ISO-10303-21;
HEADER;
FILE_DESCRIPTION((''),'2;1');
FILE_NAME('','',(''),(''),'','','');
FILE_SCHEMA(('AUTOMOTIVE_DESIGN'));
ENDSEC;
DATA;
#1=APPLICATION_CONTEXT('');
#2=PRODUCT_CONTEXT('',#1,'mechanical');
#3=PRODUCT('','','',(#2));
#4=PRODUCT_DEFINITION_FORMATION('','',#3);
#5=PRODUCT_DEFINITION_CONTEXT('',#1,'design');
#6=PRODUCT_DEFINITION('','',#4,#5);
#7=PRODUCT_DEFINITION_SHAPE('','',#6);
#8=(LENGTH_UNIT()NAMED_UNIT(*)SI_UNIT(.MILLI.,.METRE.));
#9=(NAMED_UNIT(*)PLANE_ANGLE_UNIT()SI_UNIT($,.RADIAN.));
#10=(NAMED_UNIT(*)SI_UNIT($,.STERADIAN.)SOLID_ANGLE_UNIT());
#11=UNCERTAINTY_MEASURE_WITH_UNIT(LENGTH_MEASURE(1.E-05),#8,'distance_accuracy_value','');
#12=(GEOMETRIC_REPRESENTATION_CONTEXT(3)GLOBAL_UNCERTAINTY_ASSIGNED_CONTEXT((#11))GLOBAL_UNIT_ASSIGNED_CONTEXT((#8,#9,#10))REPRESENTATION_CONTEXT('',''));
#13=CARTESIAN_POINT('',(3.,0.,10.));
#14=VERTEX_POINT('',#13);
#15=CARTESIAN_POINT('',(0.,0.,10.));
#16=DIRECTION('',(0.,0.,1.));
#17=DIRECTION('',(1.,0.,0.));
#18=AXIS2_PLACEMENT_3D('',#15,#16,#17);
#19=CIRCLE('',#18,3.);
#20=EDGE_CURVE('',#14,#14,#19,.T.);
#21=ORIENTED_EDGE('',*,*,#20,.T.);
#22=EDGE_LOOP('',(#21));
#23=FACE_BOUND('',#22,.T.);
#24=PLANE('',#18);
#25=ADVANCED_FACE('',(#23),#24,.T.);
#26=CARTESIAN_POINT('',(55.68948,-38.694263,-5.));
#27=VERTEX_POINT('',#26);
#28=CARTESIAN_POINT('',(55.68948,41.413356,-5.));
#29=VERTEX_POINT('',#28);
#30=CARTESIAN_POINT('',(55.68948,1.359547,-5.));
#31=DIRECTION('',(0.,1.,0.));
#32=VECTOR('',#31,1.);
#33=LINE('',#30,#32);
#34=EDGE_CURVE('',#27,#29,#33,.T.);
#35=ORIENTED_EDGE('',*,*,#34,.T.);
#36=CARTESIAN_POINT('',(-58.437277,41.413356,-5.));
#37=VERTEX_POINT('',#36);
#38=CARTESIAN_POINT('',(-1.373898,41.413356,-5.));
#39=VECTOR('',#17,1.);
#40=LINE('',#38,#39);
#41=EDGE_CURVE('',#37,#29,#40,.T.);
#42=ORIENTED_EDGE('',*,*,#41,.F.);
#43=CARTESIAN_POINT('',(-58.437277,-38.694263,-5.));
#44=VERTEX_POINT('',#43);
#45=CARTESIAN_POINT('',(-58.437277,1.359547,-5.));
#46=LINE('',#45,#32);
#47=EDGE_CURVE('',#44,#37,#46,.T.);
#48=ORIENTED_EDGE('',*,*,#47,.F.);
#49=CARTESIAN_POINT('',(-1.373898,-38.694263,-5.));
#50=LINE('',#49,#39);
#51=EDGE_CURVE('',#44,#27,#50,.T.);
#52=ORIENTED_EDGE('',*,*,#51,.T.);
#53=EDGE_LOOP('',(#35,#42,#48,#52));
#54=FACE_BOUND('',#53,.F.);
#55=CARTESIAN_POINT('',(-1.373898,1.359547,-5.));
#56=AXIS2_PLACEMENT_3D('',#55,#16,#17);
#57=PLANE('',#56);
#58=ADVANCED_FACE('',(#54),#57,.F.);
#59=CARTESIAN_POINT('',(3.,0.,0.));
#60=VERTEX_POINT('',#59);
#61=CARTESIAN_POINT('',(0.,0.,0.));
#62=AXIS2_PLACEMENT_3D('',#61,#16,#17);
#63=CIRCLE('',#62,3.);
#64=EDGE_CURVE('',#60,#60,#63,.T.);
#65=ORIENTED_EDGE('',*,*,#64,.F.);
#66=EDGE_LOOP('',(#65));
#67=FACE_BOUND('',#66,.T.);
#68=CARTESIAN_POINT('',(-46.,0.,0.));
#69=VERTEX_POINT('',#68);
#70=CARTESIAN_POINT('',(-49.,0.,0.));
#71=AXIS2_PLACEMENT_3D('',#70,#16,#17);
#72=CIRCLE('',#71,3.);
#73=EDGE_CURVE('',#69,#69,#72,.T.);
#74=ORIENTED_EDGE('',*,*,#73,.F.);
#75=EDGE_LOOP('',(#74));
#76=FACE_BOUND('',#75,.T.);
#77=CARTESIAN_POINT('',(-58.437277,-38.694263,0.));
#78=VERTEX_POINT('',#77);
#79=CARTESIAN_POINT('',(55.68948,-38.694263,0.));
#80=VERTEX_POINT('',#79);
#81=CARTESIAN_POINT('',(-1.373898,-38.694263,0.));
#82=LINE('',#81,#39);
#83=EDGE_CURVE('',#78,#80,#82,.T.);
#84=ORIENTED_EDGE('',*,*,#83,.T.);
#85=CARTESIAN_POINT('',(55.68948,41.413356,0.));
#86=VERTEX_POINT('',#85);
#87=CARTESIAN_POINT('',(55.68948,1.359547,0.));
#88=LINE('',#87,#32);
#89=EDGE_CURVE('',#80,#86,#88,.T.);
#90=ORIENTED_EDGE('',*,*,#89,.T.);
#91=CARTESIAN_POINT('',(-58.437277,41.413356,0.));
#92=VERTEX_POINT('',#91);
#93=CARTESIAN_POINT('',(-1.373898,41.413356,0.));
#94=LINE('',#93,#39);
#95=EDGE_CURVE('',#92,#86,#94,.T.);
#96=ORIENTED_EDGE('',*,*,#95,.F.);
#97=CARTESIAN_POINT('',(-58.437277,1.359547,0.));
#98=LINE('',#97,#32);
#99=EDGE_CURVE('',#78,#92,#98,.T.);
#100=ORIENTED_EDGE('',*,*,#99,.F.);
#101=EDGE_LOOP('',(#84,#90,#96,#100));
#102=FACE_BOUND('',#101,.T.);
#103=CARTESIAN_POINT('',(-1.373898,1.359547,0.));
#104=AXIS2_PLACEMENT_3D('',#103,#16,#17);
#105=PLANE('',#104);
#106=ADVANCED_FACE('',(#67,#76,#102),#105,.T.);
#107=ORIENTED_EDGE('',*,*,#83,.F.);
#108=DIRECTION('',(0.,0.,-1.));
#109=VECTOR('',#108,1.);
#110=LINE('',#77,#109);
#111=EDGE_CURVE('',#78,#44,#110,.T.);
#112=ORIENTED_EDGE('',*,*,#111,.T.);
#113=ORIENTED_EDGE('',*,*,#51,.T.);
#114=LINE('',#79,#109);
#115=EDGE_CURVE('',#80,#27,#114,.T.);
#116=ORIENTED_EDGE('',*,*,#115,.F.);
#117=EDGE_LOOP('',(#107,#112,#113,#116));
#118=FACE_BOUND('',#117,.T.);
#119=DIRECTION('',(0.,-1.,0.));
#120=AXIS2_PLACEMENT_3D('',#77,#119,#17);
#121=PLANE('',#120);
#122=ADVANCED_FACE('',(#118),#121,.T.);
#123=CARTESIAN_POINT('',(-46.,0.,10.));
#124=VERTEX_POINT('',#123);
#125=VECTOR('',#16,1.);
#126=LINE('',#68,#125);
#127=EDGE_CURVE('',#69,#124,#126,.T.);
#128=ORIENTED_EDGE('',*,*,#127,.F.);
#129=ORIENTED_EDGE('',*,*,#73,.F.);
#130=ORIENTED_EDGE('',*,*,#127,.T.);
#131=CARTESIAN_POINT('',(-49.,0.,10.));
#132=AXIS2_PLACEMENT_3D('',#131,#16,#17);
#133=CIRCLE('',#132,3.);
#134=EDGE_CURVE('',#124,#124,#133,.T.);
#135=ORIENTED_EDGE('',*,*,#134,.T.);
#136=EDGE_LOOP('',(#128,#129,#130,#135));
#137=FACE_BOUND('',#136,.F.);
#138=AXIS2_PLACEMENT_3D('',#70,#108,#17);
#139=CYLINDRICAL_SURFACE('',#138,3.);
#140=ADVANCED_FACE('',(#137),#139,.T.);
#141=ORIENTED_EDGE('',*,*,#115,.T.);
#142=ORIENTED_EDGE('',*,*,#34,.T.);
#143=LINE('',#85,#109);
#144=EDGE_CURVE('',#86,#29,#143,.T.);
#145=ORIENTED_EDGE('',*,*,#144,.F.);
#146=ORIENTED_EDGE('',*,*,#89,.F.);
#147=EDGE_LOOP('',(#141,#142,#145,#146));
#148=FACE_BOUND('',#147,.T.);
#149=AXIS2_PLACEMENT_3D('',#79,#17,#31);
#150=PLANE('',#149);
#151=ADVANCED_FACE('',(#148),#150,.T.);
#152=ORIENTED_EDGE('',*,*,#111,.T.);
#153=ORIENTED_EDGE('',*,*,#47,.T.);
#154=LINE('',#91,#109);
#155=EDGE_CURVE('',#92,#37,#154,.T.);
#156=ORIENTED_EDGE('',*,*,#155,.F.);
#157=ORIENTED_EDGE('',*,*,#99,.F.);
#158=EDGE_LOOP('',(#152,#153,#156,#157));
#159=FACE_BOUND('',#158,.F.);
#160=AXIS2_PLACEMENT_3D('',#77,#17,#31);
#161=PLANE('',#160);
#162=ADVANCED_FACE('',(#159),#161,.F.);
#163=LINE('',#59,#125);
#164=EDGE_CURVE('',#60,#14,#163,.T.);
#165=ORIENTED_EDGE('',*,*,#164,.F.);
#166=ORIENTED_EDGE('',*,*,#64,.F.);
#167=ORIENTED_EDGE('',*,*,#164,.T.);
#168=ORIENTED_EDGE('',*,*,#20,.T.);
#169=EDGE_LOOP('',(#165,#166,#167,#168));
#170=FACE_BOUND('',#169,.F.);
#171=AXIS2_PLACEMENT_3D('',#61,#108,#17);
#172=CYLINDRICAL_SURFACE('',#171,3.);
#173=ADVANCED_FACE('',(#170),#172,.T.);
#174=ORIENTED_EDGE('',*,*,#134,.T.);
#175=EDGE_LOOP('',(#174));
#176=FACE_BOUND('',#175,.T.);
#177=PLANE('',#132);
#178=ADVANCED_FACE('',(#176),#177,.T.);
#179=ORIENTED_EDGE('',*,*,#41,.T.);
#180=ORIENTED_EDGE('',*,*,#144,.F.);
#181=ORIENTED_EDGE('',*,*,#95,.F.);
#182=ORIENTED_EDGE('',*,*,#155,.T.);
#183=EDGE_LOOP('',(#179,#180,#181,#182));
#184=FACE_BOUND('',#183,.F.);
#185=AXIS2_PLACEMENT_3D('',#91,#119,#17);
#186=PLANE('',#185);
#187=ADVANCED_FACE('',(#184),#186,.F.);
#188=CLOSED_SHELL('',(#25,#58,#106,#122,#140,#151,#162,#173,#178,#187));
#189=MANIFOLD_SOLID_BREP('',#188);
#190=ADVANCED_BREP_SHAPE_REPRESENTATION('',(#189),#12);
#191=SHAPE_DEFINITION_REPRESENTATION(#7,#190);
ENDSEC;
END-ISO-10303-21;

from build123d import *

# Parameters (mm, degrees)
F0_R     = 3
F1_DEPTH = 10
F2_W     = 114.1267567873
F2_H     = 80.1076181233
F3_DEPTH = 5


with BuildPart() as f1:
    # F0 (on Top) → F1 (new body)
    with BuildSketch(Plane.XY):
        with Locations((-49, 0)):
            Circle(F0_R)
    extrude(amount=F1_DEPTH)



with BuildPart() as f1b:
    # F0 (on Top) → F1, piece 2 (new body)
    with BuildSketch(Plane.XY):
        with BuildLine():
            ThreePointArc((-3, 0), (0, -3), (3, 0))
            ThreePointArc((3, 0), (0, 3), (-3, 0))
        make_face()
    extrude(amount=F1_DEPTH)


with BuildPart() as f1_1:
    add(f1.part)

    add(f1b.part)  # F3 merges F1b
    # F2 (on Top) → F3 (join)
    with BuildSketch(Plane.XY):
        with Locations((-1.3738982379, 1.3595465571)):
            Rectangle(F2_W, F2_H)
    extrude(amount=-F3_DEPTH)


solid = f1_1.part
